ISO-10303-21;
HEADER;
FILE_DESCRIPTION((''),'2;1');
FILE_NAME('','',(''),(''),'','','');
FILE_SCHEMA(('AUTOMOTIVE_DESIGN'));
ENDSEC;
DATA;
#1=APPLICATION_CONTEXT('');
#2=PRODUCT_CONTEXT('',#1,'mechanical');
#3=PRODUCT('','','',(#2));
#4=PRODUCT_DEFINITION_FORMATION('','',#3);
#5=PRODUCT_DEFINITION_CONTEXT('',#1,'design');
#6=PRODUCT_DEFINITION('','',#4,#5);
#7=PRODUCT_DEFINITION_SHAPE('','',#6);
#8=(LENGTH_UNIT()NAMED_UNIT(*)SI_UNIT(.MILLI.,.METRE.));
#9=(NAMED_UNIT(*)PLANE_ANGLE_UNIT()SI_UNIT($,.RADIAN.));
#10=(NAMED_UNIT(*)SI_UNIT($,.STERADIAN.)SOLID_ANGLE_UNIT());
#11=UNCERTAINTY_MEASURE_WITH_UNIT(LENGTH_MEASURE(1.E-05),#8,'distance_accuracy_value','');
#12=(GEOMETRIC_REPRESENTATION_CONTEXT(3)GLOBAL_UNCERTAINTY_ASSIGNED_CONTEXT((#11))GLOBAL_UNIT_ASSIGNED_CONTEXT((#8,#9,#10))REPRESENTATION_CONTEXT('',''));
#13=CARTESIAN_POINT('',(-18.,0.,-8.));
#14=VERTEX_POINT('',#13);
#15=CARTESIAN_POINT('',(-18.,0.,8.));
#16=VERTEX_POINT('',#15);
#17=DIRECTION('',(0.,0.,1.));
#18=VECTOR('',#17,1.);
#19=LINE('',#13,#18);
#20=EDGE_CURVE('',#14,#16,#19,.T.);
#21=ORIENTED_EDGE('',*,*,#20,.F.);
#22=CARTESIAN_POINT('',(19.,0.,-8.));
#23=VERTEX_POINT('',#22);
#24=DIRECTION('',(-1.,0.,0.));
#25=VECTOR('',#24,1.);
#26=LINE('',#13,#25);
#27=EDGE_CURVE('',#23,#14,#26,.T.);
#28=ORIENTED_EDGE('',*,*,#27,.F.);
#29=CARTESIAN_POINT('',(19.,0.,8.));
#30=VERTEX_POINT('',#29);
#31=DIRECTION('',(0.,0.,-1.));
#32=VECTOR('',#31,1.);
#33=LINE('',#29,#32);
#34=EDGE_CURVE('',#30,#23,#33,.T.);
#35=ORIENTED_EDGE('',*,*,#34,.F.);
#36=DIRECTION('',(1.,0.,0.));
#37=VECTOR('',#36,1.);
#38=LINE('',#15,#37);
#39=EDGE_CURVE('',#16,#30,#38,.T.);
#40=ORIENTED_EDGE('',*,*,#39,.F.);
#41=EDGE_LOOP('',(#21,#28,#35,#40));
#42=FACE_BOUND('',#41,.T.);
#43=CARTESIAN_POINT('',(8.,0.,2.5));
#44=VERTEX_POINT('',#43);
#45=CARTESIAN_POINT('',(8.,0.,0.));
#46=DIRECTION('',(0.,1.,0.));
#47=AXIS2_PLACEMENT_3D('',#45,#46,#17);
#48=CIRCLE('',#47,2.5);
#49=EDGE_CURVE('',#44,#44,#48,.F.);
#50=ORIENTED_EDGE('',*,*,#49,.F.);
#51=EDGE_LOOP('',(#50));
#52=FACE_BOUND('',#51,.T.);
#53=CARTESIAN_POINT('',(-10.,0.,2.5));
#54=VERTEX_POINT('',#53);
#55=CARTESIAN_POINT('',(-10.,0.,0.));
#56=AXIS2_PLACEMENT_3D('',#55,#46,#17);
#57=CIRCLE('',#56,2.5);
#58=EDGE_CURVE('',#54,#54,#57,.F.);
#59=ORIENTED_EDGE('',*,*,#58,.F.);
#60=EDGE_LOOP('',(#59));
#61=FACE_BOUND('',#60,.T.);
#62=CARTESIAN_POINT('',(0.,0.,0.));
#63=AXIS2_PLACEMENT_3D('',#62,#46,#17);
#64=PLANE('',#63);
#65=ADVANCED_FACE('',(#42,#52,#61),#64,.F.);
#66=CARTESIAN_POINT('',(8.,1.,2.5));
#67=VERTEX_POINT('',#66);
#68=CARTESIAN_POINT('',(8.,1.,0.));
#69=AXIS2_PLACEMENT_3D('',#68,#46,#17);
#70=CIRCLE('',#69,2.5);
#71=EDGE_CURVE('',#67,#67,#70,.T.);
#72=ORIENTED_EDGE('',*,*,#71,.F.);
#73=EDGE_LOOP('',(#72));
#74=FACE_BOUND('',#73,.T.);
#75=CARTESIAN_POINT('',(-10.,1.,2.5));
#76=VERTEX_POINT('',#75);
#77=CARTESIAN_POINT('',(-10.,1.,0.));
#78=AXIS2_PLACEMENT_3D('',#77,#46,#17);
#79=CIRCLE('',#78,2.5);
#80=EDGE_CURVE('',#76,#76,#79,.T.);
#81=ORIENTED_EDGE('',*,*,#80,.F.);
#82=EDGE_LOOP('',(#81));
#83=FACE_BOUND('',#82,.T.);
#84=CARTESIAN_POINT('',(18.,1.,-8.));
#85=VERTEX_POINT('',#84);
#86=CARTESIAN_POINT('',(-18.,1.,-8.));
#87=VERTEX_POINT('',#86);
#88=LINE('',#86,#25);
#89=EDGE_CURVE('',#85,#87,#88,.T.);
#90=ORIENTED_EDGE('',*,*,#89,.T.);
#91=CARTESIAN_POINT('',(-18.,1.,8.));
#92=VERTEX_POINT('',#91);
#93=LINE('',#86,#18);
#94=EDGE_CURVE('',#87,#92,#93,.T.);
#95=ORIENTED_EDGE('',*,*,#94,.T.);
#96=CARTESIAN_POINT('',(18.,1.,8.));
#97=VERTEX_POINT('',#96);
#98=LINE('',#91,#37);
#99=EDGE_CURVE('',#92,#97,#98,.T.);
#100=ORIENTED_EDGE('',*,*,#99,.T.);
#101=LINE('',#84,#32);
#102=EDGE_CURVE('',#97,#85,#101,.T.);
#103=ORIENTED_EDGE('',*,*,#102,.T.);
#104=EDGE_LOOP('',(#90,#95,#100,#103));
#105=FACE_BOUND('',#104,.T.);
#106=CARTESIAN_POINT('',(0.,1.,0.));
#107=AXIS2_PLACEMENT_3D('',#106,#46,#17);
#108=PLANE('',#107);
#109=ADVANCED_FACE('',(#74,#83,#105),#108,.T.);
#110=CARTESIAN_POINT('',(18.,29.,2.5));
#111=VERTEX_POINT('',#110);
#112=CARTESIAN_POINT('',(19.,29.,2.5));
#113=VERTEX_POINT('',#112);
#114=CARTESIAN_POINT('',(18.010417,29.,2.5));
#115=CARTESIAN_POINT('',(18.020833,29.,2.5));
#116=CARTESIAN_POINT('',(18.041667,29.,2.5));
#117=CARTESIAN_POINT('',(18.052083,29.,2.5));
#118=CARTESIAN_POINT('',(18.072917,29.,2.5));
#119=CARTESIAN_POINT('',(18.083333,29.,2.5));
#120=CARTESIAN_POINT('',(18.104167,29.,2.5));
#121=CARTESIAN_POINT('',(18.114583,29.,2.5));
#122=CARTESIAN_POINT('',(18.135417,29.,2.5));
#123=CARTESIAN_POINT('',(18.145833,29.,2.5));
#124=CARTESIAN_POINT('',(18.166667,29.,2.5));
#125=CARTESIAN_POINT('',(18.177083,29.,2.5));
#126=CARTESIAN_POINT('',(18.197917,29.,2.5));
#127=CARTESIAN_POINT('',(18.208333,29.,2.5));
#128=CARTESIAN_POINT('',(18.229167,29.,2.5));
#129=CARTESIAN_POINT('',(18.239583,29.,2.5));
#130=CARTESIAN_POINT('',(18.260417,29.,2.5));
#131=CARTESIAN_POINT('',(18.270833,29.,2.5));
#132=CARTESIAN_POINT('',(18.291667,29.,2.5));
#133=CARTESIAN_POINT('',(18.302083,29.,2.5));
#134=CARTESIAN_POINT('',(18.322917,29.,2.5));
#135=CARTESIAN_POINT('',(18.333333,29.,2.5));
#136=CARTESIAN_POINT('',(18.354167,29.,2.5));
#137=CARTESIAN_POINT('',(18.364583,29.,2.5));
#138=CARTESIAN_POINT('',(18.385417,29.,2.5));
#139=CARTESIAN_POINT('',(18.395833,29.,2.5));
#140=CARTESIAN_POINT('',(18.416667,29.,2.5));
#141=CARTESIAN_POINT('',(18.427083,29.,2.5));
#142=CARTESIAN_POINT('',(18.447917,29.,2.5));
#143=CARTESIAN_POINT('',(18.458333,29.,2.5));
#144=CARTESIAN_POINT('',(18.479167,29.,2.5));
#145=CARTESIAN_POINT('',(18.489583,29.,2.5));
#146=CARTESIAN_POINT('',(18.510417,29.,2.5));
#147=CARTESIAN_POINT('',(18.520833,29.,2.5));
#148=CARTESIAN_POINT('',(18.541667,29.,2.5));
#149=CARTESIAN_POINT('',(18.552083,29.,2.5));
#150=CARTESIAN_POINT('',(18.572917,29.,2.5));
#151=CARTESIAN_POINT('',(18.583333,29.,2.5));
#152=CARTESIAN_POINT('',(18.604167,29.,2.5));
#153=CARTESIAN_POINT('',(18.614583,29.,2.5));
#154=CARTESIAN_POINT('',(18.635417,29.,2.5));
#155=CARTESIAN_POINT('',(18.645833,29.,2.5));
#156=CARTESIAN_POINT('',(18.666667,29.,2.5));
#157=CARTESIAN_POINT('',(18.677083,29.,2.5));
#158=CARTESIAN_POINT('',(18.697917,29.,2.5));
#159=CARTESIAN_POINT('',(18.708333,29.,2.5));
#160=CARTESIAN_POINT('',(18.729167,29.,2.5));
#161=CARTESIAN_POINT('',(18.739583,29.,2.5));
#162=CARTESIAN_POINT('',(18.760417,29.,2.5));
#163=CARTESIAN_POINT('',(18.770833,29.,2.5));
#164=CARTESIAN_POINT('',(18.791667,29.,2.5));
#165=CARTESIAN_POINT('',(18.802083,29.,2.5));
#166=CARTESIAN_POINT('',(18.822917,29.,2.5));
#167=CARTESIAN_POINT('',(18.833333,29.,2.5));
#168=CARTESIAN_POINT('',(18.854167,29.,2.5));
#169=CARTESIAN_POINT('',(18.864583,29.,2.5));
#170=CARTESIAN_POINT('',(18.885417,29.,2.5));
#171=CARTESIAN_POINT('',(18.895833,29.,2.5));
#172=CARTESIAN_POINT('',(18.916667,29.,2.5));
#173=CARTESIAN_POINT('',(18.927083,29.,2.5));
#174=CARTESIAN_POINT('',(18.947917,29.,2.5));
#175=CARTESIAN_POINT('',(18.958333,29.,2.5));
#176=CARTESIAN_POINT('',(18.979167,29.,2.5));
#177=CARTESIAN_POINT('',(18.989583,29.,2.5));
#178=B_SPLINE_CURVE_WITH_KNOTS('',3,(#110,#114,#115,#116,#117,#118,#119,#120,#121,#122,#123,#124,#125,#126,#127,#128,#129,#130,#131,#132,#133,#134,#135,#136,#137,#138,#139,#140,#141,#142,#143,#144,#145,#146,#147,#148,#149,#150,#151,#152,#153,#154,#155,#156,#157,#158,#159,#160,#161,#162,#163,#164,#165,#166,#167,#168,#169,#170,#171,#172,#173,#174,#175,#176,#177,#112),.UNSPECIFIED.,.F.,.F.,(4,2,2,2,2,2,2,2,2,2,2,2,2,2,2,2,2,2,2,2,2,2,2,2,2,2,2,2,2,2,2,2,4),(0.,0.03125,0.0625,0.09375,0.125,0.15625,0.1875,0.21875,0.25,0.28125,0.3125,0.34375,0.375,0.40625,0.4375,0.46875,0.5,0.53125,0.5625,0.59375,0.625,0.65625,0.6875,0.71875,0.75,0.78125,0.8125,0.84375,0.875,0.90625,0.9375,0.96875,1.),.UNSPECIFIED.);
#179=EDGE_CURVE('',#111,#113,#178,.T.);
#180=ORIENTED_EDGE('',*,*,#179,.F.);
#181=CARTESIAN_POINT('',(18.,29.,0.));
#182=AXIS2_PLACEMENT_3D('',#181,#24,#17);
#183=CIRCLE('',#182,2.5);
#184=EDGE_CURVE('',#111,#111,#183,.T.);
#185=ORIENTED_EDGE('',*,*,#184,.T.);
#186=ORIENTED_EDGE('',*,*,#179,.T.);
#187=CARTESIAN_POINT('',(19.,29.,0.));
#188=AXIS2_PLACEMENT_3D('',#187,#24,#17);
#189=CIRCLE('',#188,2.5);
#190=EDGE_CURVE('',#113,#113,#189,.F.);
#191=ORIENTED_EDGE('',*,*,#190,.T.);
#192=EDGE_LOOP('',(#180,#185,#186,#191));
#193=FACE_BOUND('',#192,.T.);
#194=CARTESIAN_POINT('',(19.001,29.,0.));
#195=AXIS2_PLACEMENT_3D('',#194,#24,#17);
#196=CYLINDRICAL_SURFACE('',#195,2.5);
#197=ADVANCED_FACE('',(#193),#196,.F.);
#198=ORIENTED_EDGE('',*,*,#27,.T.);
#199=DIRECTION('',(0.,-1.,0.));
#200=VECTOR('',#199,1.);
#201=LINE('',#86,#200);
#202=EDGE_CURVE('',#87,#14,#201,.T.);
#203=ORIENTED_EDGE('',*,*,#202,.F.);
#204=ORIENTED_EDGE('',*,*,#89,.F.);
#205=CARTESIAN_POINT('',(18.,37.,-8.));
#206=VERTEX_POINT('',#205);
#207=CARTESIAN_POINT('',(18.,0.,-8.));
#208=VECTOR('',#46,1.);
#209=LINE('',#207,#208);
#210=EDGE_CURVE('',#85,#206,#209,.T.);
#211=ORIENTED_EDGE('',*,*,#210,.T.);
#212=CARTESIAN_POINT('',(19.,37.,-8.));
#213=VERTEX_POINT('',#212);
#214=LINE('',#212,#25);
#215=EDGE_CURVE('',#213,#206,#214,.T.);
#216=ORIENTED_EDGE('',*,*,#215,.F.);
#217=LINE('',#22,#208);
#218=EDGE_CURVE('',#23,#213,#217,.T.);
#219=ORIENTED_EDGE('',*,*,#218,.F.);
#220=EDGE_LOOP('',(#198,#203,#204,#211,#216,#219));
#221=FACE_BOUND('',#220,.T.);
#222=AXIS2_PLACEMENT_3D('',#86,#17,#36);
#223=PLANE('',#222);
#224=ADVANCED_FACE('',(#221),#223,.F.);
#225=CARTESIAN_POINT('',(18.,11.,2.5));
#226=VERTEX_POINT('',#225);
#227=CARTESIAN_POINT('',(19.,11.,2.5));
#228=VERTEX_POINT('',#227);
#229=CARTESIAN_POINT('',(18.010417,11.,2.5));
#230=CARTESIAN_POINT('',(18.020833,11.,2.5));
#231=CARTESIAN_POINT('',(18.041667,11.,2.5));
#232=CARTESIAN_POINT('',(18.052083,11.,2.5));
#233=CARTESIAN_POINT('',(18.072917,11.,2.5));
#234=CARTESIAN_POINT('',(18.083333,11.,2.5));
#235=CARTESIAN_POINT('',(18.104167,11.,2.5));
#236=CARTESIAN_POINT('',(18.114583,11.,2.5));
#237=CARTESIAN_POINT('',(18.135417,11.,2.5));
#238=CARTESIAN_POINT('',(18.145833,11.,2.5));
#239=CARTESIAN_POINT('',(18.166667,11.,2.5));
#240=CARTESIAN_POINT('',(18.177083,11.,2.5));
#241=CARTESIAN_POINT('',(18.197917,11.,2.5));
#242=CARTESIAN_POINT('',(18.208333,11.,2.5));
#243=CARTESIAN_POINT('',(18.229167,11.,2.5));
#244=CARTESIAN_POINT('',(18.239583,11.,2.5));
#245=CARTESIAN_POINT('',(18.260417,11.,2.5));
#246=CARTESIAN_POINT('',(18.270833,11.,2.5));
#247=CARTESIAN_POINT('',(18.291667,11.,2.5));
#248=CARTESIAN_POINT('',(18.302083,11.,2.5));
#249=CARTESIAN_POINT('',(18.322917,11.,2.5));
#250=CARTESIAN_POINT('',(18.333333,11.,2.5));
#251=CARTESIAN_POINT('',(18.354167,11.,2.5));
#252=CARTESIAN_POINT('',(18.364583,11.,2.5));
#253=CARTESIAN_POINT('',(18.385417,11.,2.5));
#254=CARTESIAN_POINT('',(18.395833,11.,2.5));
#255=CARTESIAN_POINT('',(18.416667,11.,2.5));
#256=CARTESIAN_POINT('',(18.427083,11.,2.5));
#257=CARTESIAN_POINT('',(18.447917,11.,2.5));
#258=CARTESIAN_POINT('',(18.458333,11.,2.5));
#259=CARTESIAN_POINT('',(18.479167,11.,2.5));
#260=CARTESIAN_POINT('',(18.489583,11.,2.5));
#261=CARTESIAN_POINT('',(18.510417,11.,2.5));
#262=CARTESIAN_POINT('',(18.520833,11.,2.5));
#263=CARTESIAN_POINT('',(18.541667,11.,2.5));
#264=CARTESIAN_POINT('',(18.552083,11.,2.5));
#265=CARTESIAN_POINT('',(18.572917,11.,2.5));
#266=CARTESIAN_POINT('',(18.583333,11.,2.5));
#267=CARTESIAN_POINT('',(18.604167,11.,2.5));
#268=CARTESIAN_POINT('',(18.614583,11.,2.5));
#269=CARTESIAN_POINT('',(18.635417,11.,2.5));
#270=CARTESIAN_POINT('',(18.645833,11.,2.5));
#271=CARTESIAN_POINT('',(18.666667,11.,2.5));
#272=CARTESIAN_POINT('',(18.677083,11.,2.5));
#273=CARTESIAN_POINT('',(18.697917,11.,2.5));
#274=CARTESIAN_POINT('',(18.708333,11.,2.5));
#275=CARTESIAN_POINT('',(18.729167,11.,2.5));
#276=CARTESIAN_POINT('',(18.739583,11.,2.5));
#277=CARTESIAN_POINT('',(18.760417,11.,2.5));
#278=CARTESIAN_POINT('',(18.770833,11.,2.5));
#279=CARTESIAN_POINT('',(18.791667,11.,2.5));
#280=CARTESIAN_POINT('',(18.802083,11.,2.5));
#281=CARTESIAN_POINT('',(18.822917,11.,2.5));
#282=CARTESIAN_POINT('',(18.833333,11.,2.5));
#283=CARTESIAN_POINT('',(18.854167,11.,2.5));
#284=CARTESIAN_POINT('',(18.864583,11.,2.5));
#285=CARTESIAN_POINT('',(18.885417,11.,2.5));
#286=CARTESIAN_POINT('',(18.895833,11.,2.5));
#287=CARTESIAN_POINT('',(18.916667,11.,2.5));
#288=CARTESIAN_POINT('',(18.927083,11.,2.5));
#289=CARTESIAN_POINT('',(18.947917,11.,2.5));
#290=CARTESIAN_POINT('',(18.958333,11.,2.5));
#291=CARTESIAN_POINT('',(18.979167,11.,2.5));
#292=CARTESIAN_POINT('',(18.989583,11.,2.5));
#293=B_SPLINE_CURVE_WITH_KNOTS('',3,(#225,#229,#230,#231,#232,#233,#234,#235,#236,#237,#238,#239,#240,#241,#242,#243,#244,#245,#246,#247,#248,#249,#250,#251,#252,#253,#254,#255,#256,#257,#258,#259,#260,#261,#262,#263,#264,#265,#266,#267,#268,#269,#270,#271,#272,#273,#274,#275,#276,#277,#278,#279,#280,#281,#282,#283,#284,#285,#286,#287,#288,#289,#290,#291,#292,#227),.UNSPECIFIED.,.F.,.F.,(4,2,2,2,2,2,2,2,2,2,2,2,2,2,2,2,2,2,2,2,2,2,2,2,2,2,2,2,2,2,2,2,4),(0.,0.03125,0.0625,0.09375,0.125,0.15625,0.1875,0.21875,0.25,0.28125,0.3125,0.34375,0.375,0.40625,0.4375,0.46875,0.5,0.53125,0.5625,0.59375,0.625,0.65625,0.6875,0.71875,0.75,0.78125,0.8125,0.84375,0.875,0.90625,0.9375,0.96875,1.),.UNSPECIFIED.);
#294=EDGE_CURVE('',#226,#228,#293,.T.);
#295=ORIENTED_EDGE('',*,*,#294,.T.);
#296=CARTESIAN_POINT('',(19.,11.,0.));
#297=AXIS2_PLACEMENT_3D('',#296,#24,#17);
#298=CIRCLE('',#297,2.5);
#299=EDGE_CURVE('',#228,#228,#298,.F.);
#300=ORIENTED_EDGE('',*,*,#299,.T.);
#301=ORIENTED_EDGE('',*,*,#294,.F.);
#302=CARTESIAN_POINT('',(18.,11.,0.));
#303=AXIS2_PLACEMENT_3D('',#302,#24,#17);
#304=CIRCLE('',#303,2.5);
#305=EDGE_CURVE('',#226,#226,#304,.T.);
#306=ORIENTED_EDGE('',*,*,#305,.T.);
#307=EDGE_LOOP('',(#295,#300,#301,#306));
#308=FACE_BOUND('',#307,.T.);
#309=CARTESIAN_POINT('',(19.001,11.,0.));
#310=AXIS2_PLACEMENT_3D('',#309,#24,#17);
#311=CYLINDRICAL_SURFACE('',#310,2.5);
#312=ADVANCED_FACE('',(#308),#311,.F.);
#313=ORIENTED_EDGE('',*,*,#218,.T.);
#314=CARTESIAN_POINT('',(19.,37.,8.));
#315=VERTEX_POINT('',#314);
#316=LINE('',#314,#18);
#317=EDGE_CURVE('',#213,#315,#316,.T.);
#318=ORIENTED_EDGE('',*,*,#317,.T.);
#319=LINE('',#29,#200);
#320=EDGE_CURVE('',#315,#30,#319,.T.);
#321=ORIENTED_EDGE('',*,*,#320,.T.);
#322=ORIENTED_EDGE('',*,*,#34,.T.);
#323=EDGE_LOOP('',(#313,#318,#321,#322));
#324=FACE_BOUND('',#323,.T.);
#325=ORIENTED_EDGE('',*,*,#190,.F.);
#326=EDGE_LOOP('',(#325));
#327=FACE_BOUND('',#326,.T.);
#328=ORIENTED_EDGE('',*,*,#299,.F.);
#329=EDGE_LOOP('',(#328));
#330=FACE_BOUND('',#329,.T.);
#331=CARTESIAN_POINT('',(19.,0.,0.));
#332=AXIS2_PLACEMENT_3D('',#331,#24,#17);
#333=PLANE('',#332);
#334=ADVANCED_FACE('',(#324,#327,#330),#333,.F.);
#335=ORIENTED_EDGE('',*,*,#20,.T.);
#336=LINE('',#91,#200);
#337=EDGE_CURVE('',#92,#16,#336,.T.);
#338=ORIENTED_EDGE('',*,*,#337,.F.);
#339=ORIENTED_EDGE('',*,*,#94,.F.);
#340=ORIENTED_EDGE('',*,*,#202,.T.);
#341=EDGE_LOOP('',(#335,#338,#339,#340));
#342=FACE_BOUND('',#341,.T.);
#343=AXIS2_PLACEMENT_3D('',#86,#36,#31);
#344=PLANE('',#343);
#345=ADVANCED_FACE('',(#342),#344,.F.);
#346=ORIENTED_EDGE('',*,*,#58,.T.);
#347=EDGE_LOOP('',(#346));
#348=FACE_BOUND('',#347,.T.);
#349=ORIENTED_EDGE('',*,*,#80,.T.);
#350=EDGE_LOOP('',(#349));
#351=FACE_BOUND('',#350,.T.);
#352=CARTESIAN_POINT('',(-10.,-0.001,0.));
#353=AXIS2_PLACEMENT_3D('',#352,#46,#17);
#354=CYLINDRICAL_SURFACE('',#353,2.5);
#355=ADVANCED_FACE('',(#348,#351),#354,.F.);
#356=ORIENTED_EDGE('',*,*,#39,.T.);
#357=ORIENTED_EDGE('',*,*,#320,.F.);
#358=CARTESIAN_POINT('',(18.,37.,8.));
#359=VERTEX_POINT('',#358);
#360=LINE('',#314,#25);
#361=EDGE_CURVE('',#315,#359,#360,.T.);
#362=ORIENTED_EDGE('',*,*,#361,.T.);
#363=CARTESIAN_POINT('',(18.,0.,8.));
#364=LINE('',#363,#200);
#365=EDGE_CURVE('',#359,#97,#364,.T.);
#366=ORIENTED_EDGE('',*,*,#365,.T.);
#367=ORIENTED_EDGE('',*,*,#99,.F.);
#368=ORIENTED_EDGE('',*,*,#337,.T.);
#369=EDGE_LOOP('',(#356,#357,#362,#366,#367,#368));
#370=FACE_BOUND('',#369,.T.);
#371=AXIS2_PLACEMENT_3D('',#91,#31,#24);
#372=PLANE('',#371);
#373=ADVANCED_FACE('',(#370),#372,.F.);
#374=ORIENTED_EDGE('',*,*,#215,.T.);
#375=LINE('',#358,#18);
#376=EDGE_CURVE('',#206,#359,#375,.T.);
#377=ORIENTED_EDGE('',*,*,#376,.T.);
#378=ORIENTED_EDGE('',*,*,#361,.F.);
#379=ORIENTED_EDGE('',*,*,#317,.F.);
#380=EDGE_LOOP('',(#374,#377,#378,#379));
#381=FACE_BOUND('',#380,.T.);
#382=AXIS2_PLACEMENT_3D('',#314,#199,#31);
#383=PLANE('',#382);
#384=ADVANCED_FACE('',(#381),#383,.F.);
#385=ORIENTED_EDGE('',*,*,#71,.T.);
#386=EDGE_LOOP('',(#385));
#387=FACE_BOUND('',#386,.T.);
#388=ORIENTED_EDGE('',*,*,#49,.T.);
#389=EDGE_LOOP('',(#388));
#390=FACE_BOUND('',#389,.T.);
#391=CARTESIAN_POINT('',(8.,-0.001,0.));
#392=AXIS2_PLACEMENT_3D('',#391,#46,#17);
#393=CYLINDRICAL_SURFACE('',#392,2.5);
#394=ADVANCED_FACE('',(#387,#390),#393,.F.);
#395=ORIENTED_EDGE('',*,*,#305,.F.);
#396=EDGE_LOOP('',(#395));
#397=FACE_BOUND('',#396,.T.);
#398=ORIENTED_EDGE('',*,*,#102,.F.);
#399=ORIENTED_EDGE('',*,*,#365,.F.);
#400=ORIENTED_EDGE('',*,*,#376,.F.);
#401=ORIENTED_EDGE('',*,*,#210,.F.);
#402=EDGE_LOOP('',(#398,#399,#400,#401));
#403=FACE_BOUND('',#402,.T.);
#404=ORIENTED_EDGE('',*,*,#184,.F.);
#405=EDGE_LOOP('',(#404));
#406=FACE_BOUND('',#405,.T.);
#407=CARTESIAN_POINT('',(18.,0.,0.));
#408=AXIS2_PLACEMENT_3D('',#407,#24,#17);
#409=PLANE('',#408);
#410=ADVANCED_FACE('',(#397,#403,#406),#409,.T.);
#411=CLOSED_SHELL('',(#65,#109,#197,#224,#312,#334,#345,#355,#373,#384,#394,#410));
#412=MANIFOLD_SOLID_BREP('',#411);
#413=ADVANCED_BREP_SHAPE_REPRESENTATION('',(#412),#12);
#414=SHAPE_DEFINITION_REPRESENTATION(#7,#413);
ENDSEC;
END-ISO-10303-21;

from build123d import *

# Parameters (mm, degrees)
SKETCH_1_W          = 36
SKETCH_1_H          = 16
EXTRUDE_1_DEPTH     = 1
SKETCH_2_W          = 16
SKETCH_2_H          = 37
EXTRUDE_2_DEPTH     = 1
CUT_EXTRUDE_1_REACH = 43.485
SKETCH_3_R          = 2.5
CUT_EXTRUDE_2_REACH = 54.24
SKETCH_4_R          = 2.5


with BuildPart() as part:
    # 草圖1 → 填料-伸長1 (new body)
    with BuildSketch(Plane(origin=(0, 0, 0), x_dir=(1, 0, 0), z_dir=(0, 1, 0))):
        Rectangle(SKETCH_1_W, SKETCH_1_H)
    extrude(amount=EXTRUDE_1_DEPTH)

    # 草圖2 → 填料-伸長2 (add)
    with BuildSketch(Plane(origin=(18, 0, 0), x_dir=(0, 0, -1), z_dir=(1, 0, 0))):
        with Locations((0, 18.5)):
            Rectangle(SKETCH_2_W, SKETCH_2_H)
    extrude(amount=EXTRUDE_2_DEPTH)

    # 草圖3 → 除料-伸長1 (cut, up to next)
    with BuildSketch(Plane(origin=(0, 1, 0), x_dir=(1, 0, 0), z_dir=(0, 1, 0)), mode=Mode.PRIVATE) as cut_extrude_1_sk1:
        with Locations(Location((-10, 0, 0), (0, 0, 270))):
            Circle(SKETCH_3_R)
    cut_extrude_1_tool1 = extrude(cut_extrude_1_sk1.sketch, amount=-CUT_EXTRUDE_1_REACH, mode=Mode.PRIVATE) & part.part
    # 草圖3 → 除料-伸長1 (cut, up to next)
    with BuildSketch(Plane(origin=(0, 1, 0), x_dir=(1, 0, 0), z_dir=(0, 1, 0)), mode=Mode.PRIVATE) as cut_extrude_1_sk2:
        with Locations(Location((8, 0, 0), (0, 0, 270))):
            Circle(SKETCH_3_R)
    cut_extrude_1_tool2 = extrude(cut_extrude_1_sk2.sketch, amount=-CUT_EXTRUDE_1_REACH, mode=Mode.PRIVATE) & part.part
    add(cut_extrude_1_tool1.solids().sort_by_distance((-10, 1, 0))[0], mode=Mode.SUBTRACT)
    add(cut_extrude_1_tool2.solids().sort_by_distance((8, 1, 0))[0], mode=Mode.SUBTRACT)

    # 草圖4 → 除料-伸長2 (cut, up to next)
    with BuildSketch(Plane.ZY.offset(-18), mode=Mode.PRIVATE) as cut_extrude_2_sk1:
        with Locations((0, 29)):
            Circle(SKETCH_4_R)
    cut_extrude_2_tool1 = extrude(cut_extrude_2_sk1.sketch, amount=-CUT_EXTRUDE_2_REACH, mode=Mode.PRIVATE) & part.part
    # 草圖4 → 除料-伸長2 (cut, up to next)
    with BuildSketch(Plane.ZY.offset(-18), mode=Mode.PRIVATE) as cut_extrude_2_sk2:
        with Locations((0, 11)):
            Circle(SKETCH_4_R)
    cut_extrude_2_tool2 = extrude(cut_extrude_2_sk2.sketch, amount=-CUT_EXTRUDE_2_REACH, mode=Mode.PRIVATE) & part.part
    add(cut_extrude_2_tool1.solids().sort_by_distance((18, 29, 0))[0], mode=Mode.SUBTRACT)
    add(cut_extrude_2_tool2.solids().sort_by_distance((18, 11, 0))[0], mode=Mode.SUBTRACT)


solid = part.part
